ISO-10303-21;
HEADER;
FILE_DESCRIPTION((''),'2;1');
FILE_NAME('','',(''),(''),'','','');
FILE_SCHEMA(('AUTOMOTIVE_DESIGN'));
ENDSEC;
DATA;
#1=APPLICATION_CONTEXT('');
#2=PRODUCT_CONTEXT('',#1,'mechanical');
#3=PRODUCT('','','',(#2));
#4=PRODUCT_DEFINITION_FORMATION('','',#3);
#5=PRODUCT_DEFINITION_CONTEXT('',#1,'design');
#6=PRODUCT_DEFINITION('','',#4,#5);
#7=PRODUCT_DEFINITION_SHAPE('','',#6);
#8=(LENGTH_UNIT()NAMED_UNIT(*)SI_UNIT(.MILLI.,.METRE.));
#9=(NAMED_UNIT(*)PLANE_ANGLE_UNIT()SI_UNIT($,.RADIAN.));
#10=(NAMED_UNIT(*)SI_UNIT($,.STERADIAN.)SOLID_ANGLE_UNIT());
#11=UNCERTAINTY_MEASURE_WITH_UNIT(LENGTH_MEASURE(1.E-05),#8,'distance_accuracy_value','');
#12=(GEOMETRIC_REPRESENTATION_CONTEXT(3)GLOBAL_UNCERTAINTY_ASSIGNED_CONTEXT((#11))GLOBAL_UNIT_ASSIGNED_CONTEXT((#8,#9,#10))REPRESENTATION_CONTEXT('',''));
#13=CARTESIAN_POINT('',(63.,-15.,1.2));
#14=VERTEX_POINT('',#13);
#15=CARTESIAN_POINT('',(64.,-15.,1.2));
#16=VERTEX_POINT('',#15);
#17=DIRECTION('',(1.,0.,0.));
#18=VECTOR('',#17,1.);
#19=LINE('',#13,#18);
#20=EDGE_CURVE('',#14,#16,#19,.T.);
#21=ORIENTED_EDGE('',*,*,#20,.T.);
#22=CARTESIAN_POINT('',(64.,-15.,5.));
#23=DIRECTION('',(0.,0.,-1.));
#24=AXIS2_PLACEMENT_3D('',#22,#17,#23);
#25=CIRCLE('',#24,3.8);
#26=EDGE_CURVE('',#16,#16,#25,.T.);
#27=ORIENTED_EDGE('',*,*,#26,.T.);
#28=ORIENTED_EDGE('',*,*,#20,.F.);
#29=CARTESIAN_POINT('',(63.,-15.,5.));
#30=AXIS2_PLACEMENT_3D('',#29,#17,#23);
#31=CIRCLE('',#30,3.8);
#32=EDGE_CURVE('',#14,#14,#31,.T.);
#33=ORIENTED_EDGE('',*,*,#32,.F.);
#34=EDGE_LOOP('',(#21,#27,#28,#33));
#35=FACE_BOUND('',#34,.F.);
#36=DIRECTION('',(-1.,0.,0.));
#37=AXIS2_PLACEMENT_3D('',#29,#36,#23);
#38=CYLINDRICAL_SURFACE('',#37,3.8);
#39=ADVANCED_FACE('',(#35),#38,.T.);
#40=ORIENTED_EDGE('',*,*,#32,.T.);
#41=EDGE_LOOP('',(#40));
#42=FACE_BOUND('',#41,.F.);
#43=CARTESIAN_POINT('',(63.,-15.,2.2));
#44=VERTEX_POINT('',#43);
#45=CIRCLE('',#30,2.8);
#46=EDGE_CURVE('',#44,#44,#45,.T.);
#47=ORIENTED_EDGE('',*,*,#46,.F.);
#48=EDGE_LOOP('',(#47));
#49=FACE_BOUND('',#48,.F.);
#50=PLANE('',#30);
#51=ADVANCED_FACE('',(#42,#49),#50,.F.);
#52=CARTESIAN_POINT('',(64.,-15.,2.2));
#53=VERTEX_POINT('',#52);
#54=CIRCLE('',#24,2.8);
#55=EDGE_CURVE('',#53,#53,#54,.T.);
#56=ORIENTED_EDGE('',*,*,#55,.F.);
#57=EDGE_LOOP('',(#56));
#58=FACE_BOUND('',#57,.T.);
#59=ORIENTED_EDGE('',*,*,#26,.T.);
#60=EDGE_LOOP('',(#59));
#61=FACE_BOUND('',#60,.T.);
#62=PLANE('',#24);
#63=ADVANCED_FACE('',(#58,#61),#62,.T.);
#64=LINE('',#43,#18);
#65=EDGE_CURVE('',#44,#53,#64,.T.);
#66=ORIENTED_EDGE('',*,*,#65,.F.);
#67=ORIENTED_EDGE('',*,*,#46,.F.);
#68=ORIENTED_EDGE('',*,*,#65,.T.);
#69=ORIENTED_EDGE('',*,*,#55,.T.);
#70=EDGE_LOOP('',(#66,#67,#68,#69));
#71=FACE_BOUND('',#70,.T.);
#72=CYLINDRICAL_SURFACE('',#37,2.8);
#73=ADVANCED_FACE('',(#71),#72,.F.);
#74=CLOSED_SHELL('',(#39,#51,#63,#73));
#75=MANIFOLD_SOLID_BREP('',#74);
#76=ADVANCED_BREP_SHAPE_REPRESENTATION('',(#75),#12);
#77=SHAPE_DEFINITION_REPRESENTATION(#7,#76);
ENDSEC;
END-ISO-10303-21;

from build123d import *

# Parameters (mm, degrees)
CYLINDER004_R           = 2.8
CYLINDER004_DEPTH       = 1
CYLINDER004_PITCH_ANGLE = 90
CYLINDER005_R           = 3.8
CYLINDER005_DEPTH       = 1
CYLINDER005_PITCH_ANGLE = 90


with BuildPart() as audio_jack004:
    # Cylinder004 → Cylinder004 (new body)
    with BuildSketch(Plane.XY):
        Circle(CYLINDER004_R)
    extrude(amount=CYLINDER004_DEPTH)


with BuildPart() as audio_jack004_1:
    # Cylinder004 pitch: moved
    add(audio_jack004.part.rotate(Axis((0, 0, 0), (0, 1, 0)), CYLINDER004_PITCH_ANGLE))


with BuildPart() as audio_jack004_2:
    # Cylinder004 placement: moved
    add(audio_jack004_1.part.moved(Location((33, -5.5, 4))))


with BuildPart() as cut001:
    # Cylinder005 → Cylinder005 (new body)
    with BuildSketch(Plane.XY):
        Circle(CYLINDER005_R)
    extrude(amount=CYLINDER005_DEPTH)


with BuildPart() as cut001_1:
    # Cylinder005 pitch: moved
    add(cut001.part.rotate(Axis((0, 0, 0), (0, 1, 0)), CYLINDER005_PITCH_ANGLE))


with BuildPart() as cut001_2:
    # Cylinder005 placement: moved
    add(cut001_1.part.moved(Location((33, -5.5, 4))))

    # Cut001: cut Audio_jack004
    add(audio_jack004_2.part, mode=Mode.SUBTRACT)


with BuildPart() as cut001_3:
    # Cut001 placement: moved
    add(cut001_2.part.moved(Location((30, -9.5, 1))))


solid = cut001_3.part
